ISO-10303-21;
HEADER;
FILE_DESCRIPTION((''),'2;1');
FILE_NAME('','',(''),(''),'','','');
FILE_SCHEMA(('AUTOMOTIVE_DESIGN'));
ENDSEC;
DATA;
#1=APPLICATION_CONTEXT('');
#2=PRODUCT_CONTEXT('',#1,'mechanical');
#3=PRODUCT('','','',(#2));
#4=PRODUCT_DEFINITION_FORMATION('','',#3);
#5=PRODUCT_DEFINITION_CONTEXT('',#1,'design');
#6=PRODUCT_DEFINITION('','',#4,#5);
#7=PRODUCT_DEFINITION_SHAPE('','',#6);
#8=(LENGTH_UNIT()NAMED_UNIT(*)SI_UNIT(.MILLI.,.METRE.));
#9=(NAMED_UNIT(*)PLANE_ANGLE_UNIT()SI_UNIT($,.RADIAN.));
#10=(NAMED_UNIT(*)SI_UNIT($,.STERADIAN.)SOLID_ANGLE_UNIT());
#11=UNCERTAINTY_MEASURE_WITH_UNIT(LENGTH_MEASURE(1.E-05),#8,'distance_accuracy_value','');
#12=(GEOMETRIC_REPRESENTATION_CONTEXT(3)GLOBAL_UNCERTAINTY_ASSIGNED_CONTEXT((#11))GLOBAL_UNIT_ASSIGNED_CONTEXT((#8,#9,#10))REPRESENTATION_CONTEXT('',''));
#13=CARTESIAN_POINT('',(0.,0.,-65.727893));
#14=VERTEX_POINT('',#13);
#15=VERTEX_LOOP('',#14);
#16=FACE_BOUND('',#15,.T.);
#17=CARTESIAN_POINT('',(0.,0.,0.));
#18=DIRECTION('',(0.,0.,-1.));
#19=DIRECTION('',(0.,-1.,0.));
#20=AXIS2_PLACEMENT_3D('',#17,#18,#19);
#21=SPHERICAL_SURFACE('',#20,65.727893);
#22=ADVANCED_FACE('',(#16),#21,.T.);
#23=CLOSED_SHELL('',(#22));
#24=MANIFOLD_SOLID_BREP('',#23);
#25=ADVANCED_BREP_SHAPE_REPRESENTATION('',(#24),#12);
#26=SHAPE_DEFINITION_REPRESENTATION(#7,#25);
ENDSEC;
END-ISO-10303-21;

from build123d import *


with BuildPart() as f1:
    # F0 (on Right) → F1 (revolve)
    with BuildSketch(Plane.YZ):
        with BuildLine():
            Line((0, -65.727893), (0, 65.727893))
            ThreePointArc((0, 65.727893), (-65.727893, 0), (0, -65.727893))
        make_face()
    revolve(axis=Axis((0, 0, -0.284392), (0, 0, -1)))


solid = f1.part
